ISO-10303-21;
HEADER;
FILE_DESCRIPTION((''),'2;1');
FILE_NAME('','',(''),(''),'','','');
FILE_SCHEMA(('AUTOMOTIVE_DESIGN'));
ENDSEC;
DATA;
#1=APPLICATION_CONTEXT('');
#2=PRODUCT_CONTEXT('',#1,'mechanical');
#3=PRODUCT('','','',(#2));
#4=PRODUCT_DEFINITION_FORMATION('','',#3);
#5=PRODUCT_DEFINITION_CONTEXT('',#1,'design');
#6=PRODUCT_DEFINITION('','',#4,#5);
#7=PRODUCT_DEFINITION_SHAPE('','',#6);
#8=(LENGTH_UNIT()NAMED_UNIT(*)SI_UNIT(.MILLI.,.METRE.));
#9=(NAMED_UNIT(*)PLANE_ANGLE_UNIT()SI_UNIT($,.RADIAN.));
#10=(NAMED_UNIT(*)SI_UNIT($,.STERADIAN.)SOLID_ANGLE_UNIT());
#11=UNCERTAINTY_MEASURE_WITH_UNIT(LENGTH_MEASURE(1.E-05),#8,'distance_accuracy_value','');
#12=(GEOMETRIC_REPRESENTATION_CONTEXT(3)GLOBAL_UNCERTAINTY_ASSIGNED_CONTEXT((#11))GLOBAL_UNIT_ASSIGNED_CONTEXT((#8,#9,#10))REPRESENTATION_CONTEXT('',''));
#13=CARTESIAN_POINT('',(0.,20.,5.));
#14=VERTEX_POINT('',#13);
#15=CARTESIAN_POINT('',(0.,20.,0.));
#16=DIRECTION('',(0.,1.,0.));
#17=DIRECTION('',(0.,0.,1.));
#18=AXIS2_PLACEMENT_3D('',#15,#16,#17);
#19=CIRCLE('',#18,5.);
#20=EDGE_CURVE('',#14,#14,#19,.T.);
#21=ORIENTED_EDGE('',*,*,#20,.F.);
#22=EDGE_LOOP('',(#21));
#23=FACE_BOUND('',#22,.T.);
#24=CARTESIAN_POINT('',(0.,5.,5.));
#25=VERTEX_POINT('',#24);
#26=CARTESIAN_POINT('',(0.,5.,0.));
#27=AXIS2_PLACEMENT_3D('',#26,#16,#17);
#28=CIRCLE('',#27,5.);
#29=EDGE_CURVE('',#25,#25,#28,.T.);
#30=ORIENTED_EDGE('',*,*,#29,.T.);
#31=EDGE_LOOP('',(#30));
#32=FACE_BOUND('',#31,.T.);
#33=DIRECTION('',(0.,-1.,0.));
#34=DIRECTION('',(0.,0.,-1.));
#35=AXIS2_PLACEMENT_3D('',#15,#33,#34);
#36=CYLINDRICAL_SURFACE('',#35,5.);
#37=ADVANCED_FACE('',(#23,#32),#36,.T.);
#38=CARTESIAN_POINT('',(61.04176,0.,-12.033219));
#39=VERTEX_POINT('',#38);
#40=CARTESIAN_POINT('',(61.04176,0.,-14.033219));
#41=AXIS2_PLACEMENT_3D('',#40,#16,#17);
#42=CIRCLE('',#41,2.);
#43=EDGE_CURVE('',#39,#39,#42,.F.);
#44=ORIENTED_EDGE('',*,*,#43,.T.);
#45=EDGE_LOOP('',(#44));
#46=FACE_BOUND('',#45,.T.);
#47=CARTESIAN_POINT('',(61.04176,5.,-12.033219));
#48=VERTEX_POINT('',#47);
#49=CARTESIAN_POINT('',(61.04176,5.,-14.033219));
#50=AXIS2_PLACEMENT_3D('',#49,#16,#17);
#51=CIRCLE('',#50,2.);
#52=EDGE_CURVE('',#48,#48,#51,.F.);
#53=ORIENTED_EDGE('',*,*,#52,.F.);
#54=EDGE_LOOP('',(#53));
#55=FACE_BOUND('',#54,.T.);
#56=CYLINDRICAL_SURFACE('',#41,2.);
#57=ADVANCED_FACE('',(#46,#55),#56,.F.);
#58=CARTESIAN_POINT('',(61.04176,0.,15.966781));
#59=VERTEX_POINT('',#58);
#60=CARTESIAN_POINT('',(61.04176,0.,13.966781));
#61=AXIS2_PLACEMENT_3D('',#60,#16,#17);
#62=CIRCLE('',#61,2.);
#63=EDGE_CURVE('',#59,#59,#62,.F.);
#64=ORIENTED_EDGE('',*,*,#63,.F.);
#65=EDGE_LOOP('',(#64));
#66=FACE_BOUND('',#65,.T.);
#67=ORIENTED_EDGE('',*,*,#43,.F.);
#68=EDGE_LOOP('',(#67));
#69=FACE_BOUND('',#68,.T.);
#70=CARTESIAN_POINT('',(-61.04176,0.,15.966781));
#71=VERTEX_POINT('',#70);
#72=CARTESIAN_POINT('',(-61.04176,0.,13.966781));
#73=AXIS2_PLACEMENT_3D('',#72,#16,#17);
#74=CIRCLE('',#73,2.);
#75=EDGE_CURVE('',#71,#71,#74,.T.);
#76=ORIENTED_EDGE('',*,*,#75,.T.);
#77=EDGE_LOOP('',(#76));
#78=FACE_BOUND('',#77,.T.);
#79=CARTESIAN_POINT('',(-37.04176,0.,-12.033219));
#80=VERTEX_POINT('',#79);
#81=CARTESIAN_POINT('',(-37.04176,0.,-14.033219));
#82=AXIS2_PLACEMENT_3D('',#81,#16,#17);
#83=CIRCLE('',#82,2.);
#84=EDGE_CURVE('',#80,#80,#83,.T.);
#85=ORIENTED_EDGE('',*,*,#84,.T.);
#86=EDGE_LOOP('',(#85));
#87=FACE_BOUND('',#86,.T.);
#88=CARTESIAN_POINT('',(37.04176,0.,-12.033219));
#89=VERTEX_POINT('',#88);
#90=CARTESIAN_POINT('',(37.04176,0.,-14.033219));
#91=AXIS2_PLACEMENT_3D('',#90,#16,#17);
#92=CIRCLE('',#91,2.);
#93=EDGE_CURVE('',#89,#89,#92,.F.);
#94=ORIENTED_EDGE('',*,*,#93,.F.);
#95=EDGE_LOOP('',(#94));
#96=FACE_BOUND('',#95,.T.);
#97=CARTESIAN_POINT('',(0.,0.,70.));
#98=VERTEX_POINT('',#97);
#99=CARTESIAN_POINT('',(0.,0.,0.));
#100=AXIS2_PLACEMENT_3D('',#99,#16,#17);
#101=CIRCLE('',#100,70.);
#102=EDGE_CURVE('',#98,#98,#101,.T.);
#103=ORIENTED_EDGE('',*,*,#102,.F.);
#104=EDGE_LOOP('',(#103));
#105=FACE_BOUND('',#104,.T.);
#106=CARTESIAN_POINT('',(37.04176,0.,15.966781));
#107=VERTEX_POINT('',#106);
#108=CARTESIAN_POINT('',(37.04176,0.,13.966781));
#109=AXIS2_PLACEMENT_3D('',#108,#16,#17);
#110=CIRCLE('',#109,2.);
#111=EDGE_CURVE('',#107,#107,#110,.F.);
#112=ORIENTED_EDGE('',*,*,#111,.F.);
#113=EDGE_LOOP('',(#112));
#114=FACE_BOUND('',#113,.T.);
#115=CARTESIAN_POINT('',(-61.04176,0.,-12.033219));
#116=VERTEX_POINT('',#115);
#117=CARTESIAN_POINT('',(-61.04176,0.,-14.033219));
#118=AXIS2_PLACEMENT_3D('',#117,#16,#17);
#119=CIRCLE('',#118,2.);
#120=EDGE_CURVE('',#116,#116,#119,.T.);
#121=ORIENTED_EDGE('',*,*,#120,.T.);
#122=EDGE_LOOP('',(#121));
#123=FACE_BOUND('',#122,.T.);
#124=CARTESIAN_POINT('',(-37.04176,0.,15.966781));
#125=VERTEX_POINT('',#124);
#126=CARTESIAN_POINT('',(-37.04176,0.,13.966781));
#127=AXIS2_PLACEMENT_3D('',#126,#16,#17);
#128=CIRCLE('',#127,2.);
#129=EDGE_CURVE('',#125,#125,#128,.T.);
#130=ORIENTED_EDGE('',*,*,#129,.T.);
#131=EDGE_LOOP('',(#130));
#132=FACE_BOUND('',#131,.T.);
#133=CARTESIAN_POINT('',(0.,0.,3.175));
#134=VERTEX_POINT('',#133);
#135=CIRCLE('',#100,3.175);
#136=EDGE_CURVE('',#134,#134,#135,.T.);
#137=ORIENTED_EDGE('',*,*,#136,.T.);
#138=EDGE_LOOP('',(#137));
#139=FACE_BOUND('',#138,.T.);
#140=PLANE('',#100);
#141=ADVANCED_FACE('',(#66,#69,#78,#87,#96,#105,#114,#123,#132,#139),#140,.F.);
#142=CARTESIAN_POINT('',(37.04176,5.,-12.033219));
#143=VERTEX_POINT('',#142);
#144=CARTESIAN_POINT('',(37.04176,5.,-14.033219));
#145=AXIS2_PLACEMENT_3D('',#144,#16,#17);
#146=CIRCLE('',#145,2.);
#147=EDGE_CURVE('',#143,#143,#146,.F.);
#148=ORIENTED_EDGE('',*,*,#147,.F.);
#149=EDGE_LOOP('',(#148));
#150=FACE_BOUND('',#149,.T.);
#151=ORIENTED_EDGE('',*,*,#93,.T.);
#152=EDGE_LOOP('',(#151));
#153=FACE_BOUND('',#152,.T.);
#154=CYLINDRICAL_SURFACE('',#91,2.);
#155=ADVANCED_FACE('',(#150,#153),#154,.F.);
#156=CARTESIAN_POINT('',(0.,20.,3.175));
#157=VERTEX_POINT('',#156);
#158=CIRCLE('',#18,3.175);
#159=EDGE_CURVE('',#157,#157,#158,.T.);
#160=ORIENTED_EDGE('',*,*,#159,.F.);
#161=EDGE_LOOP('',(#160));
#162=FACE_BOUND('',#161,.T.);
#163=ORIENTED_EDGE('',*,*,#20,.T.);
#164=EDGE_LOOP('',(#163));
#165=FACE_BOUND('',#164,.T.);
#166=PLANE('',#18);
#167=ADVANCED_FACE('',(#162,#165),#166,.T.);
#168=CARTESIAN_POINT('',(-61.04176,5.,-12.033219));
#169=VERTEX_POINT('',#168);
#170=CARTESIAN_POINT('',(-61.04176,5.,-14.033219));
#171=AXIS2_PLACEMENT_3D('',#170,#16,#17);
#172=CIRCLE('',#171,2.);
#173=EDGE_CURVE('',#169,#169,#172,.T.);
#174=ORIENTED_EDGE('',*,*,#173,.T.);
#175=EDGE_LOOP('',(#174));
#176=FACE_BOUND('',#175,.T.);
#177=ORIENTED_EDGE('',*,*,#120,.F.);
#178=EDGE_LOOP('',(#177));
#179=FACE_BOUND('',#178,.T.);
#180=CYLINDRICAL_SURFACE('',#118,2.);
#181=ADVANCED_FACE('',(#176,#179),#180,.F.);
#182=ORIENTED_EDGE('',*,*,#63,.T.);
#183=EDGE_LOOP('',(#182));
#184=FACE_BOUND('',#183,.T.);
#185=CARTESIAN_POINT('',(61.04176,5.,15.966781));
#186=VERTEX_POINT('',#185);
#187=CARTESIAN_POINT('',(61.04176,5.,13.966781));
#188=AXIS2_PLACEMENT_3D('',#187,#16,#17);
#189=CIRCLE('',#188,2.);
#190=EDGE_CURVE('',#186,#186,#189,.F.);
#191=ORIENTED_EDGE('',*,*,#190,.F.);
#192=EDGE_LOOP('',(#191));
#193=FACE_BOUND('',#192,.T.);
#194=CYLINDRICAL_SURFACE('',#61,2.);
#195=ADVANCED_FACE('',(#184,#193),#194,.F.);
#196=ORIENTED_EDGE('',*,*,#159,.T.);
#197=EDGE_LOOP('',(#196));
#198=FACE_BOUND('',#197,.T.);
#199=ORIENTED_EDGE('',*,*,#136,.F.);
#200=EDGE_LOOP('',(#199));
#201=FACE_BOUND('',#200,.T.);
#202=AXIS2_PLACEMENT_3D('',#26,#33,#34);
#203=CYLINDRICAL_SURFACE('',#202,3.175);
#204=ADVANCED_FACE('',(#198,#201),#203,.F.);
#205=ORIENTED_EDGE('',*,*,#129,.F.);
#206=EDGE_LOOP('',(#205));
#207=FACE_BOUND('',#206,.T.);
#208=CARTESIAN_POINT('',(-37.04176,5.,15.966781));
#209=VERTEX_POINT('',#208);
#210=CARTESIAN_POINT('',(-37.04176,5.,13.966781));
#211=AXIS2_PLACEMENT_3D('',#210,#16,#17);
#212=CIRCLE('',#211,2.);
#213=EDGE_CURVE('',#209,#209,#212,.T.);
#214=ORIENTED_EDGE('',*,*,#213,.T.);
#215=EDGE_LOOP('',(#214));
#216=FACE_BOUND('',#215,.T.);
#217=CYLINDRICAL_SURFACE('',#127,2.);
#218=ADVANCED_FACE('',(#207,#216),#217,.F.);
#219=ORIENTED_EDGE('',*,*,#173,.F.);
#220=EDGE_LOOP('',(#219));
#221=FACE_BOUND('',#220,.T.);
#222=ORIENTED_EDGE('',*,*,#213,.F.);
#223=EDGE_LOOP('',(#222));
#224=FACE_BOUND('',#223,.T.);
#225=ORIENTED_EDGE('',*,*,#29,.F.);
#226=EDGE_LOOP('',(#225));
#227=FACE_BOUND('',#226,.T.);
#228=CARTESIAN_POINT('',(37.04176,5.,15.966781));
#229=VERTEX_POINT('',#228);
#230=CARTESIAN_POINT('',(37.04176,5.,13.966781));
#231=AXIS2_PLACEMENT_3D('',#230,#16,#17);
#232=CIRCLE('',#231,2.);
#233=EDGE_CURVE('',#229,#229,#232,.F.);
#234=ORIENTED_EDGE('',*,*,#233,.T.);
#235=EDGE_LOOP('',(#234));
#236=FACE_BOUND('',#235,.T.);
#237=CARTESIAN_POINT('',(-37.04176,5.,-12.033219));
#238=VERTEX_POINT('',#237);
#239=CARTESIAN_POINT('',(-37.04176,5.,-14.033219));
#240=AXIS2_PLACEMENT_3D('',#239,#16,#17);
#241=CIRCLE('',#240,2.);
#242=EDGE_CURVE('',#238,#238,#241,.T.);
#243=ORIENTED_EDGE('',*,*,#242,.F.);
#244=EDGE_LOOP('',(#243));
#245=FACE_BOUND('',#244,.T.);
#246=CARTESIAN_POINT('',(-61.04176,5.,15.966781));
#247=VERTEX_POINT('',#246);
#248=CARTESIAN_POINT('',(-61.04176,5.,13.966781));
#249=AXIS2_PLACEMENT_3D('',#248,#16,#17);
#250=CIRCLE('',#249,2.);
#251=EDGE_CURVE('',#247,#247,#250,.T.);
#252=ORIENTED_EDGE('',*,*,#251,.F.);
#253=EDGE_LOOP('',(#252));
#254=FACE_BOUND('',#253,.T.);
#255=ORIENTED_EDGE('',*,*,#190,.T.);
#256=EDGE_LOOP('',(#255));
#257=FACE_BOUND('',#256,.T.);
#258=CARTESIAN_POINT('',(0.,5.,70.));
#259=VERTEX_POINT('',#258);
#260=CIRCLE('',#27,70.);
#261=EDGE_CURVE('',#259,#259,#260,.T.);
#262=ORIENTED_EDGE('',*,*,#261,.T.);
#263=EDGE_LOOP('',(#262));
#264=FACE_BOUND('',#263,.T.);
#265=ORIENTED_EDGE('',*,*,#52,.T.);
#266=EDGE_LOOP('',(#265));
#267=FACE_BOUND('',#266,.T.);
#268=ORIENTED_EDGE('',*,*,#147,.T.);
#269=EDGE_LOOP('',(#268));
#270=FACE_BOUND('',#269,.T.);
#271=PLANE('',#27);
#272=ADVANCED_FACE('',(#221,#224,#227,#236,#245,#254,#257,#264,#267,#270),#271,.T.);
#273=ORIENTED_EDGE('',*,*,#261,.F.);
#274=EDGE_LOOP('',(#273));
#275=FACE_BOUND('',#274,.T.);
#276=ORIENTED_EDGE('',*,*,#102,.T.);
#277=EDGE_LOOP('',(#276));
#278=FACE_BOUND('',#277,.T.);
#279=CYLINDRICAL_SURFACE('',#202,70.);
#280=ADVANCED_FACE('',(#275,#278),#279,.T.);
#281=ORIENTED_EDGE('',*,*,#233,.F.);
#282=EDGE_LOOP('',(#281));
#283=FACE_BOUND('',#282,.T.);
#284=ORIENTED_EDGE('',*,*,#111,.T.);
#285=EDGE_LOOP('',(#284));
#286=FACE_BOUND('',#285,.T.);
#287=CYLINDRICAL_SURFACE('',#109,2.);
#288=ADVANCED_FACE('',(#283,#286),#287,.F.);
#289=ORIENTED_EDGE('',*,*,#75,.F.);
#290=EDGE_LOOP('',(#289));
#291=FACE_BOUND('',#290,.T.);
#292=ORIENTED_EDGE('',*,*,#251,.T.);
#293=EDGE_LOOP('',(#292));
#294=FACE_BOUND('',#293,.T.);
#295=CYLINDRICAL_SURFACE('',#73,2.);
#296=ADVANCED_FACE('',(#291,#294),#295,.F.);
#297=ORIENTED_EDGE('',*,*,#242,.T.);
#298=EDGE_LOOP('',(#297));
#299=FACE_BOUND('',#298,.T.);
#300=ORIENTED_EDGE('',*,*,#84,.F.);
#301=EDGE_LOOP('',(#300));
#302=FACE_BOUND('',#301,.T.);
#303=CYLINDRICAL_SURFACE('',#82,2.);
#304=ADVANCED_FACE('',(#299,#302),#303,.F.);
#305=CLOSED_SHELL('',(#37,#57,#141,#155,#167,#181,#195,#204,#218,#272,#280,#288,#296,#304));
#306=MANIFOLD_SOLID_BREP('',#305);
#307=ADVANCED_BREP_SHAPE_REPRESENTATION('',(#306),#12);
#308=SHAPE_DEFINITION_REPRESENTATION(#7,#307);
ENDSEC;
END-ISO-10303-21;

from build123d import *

# Parameters (mm, degrees)
SKETCH1_R           = 70
SKETCH1_R_2         = 3.175
BOSS_EXTRUDE2_DEPTH = 5
SKETCH2_R           = 5
SKETCH2_R_2         = 3.175
BOSS_EXTRUDE4_DEPTH = 15
SKETCH5_R           = 2
CUT_EXTRUDE4_DEPTH  = 101.124921973


with BuildPart() as part:
    # Sketch1 → Boss-Extrude2 (new body)
    with BuildSketch(Plane(origin=(0, 0, 0), x_dir=(1, 0, 0), z_dir=(0, 1, 0))):
        with Locations(Location((0, 0, 0), (0, 0, 270))):
            Circle(SKETCH1_R)
        with Locations(Location((0, 0, 0), (0, 0, 270))):
            Circle(SKETCH1_R_2, mode=Mode.SUBTRACT)
    extrude(amount=BOSS_EXTRUDE2_DEPTH)

    # Sketch2 → Boss-Extrude4 (add)
    with BuildSketch(Plane(origin=(0, 5, 0), x_dir=(1, 0, 0), z_dir=(0, 1, 0))):
        with Locations(Location((0, 0, 0), (0, 0, 270))):
            Circle(SKETCH2_R)
        with Locations(Location((0, 0, 0), (0, 0, 270))):
            Circle(SKETCH2_R_2, mode=Mode.SUBTRACT)
    extrude(amount=BOSS_EXTRUDE4_DEPTH)

    # Sketch5 → Cut-Extrude4 (cut, through all)
    with BuildSketch(Plane(origin=(0, 5, 0), x_dir=(1, 0, 0), z_dir=(0, 1, 0))):
        with Locations(Location((-61.041759509, 14.033218695, 0), (0, 0, 270))):
            Circle(SKETCH5_R)
        with Locations(Location((-37.041759509, 14.033218695, 0), (0, 0, 270))):
            Circle(SKETCH5_R)
        with Locations(Location((-61.041759509, -13.966781305, 0), (0, 0, 270))):
            Circle(SKETCH5_R)
        with Locations(Location((-37.041759509, -13.966781305, 0), (0, 0, 270))):
            Circle(SKETCH5_R)
        with Locations(Location((37.041759509, 14.033218695, 0), (0, 0, 270))):
            Circle(SKETCH5_R)
        with Locations(Location((61.041759509, 14.033218695, 0), (0, 0, 270))):
            Circle(SKETCH5_R)
        with Locations(Location((37.041759509, -13.966781305, 0), (0, 0, 270))):
            Circle(SKETCH5_R)
        with Locations(Location((61.041759509, -13.966781305, 0), (0, 0, 270))):
            Circle(SKETCH5_R)
    extrude(amount=-CUT_EXTRUDE4_DEPTH, mode=Mode.SUBTRACT)


solid = part.part
